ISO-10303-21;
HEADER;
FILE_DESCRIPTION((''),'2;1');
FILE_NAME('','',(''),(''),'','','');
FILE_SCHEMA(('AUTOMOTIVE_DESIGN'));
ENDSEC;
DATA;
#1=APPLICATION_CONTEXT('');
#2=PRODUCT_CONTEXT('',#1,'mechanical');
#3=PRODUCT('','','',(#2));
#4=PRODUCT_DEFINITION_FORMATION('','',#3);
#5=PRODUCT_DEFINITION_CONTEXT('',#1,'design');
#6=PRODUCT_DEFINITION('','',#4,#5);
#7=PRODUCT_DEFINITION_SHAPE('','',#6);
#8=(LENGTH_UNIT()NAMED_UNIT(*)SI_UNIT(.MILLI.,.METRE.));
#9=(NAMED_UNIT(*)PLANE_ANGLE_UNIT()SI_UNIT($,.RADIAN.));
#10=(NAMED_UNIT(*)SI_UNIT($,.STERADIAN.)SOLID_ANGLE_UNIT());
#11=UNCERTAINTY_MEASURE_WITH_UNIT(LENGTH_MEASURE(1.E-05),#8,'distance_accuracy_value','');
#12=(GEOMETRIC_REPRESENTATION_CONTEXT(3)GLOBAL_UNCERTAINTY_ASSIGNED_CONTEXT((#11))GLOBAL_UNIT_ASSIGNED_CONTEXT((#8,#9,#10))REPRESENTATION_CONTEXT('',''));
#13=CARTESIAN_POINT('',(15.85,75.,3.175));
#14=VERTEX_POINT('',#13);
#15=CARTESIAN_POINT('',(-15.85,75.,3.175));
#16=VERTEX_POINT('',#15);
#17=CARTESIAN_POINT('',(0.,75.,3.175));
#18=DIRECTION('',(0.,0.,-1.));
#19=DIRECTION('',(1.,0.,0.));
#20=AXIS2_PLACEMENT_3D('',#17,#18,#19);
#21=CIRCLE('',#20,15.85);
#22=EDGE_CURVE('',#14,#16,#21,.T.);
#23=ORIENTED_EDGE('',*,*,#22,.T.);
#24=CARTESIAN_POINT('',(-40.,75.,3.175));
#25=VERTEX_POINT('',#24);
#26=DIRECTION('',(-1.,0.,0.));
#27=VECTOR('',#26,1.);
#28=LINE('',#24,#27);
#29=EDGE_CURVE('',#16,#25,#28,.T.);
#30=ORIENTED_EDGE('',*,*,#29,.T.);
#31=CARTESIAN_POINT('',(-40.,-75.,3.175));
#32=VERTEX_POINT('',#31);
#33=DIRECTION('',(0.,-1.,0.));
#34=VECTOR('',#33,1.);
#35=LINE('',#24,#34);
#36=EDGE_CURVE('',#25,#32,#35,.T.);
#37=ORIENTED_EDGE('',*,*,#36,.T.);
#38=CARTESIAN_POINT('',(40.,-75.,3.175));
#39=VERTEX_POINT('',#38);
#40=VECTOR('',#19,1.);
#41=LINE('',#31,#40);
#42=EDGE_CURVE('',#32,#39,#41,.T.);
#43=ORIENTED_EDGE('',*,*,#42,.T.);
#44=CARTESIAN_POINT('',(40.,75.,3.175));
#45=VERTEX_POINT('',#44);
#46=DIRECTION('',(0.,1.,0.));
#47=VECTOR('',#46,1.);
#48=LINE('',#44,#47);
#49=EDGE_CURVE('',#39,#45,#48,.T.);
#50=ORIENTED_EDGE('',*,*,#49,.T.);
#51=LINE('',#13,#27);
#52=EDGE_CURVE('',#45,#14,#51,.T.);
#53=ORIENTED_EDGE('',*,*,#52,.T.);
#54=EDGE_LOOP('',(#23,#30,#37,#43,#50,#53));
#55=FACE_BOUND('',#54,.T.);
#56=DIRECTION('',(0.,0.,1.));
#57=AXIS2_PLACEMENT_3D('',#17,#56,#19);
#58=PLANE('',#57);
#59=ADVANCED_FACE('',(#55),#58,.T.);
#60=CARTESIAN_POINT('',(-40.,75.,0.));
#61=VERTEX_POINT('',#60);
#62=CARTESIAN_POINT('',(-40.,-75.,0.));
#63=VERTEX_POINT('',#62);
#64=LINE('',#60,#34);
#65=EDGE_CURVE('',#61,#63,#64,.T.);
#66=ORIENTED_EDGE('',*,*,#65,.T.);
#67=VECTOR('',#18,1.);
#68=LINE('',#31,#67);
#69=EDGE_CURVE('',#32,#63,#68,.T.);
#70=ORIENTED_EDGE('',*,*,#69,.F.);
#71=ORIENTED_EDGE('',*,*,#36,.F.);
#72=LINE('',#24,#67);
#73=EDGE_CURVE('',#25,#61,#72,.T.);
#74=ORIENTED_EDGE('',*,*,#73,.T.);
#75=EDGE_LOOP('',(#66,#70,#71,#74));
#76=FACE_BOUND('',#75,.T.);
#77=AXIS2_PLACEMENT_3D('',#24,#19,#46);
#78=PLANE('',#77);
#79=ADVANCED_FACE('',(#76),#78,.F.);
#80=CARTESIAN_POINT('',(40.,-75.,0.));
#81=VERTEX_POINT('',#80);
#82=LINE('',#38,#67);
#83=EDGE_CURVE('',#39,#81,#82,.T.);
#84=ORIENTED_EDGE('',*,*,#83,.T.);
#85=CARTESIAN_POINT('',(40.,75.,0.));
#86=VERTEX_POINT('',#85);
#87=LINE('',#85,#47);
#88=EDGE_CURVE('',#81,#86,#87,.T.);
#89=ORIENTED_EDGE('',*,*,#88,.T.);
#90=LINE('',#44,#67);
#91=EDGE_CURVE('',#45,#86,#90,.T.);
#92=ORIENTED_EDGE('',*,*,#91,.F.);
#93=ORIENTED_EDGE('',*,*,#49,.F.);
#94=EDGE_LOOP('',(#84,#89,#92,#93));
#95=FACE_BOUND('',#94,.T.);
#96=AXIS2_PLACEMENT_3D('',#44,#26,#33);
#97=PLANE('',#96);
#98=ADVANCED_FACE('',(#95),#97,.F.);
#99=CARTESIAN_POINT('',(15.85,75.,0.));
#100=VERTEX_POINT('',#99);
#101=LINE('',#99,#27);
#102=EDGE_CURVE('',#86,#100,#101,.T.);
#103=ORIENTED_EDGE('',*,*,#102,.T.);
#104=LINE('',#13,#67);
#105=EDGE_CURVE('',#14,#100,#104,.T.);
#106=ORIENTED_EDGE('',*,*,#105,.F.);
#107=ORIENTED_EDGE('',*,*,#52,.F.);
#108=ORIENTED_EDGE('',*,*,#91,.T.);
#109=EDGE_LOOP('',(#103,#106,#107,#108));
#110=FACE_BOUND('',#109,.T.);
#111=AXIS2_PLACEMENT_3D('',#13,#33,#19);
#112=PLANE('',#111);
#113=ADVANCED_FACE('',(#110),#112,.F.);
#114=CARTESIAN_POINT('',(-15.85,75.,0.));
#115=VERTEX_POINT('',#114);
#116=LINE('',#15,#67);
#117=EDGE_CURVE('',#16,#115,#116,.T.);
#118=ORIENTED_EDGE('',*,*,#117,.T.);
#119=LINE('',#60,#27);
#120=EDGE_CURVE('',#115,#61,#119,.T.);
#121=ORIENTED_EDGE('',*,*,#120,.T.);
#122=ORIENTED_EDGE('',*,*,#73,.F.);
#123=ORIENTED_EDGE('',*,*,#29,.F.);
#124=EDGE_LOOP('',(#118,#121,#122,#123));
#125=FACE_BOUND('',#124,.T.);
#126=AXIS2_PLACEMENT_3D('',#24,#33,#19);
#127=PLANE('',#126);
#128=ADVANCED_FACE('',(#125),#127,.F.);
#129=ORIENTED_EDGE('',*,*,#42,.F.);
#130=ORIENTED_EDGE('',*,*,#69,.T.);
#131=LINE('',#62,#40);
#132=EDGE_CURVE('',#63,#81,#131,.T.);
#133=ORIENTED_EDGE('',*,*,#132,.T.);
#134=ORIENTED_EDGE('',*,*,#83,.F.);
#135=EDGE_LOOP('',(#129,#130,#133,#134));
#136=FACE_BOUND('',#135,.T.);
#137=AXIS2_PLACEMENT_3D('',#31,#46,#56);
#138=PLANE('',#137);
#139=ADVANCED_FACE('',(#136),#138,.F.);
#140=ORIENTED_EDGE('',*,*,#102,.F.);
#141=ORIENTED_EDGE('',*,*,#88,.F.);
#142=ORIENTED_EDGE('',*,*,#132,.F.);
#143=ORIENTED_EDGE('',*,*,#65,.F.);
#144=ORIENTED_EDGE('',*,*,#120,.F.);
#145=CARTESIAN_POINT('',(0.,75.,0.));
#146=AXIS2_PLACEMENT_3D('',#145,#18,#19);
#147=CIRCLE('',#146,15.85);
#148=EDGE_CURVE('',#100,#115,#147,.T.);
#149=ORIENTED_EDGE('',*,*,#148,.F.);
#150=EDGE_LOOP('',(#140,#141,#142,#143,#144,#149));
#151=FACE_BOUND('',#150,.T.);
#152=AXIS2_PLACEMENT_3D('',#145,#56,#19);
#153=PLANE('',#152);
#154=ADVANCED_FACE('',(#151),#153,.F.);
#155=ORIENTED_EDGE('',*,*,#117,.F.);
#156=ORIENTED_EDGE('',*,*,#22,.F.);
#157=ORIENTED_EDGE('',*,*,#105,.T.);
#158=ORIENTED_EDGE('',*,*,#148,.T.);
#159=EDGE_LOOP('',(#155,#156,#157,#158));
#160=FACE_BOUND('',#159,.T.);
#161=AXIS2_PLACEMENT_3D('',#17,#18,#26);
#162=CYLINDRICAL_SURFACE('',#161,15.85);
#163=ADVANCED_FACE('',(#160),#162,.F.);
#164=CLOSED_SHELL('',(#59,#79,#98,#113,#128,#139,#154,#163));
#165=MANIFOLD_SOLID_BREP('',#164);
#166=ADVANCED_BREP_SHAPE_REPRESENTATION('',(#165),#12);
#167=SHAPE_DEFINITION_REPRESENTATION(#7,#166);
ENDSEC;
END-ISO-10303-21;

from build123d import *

# Parameters (mm, degrees)
BOSS_EXTRUDE1_DEPTH = 3.175


with BuildPart() as part:
    # Sketch1 → Boss-Extrude1 (new body)
    with BuildSketch(Plane.XY):
        with BuildLine():
            Line((15.85, 75), (40, 75))
            Line((40, 75), (40, -75))
            Line((40, -75), (-40, -75))
            Line((-40, -75), (-40, 75))
            Line((-40, 75), (-15.85, 75))
            ThreePointArc((-15.85, 75), (0, 59.15), (15.85, 75))
        make_face()
    extrude(amount=BOSS_EXTRUDE1_DEPTH)


solid = part.part
